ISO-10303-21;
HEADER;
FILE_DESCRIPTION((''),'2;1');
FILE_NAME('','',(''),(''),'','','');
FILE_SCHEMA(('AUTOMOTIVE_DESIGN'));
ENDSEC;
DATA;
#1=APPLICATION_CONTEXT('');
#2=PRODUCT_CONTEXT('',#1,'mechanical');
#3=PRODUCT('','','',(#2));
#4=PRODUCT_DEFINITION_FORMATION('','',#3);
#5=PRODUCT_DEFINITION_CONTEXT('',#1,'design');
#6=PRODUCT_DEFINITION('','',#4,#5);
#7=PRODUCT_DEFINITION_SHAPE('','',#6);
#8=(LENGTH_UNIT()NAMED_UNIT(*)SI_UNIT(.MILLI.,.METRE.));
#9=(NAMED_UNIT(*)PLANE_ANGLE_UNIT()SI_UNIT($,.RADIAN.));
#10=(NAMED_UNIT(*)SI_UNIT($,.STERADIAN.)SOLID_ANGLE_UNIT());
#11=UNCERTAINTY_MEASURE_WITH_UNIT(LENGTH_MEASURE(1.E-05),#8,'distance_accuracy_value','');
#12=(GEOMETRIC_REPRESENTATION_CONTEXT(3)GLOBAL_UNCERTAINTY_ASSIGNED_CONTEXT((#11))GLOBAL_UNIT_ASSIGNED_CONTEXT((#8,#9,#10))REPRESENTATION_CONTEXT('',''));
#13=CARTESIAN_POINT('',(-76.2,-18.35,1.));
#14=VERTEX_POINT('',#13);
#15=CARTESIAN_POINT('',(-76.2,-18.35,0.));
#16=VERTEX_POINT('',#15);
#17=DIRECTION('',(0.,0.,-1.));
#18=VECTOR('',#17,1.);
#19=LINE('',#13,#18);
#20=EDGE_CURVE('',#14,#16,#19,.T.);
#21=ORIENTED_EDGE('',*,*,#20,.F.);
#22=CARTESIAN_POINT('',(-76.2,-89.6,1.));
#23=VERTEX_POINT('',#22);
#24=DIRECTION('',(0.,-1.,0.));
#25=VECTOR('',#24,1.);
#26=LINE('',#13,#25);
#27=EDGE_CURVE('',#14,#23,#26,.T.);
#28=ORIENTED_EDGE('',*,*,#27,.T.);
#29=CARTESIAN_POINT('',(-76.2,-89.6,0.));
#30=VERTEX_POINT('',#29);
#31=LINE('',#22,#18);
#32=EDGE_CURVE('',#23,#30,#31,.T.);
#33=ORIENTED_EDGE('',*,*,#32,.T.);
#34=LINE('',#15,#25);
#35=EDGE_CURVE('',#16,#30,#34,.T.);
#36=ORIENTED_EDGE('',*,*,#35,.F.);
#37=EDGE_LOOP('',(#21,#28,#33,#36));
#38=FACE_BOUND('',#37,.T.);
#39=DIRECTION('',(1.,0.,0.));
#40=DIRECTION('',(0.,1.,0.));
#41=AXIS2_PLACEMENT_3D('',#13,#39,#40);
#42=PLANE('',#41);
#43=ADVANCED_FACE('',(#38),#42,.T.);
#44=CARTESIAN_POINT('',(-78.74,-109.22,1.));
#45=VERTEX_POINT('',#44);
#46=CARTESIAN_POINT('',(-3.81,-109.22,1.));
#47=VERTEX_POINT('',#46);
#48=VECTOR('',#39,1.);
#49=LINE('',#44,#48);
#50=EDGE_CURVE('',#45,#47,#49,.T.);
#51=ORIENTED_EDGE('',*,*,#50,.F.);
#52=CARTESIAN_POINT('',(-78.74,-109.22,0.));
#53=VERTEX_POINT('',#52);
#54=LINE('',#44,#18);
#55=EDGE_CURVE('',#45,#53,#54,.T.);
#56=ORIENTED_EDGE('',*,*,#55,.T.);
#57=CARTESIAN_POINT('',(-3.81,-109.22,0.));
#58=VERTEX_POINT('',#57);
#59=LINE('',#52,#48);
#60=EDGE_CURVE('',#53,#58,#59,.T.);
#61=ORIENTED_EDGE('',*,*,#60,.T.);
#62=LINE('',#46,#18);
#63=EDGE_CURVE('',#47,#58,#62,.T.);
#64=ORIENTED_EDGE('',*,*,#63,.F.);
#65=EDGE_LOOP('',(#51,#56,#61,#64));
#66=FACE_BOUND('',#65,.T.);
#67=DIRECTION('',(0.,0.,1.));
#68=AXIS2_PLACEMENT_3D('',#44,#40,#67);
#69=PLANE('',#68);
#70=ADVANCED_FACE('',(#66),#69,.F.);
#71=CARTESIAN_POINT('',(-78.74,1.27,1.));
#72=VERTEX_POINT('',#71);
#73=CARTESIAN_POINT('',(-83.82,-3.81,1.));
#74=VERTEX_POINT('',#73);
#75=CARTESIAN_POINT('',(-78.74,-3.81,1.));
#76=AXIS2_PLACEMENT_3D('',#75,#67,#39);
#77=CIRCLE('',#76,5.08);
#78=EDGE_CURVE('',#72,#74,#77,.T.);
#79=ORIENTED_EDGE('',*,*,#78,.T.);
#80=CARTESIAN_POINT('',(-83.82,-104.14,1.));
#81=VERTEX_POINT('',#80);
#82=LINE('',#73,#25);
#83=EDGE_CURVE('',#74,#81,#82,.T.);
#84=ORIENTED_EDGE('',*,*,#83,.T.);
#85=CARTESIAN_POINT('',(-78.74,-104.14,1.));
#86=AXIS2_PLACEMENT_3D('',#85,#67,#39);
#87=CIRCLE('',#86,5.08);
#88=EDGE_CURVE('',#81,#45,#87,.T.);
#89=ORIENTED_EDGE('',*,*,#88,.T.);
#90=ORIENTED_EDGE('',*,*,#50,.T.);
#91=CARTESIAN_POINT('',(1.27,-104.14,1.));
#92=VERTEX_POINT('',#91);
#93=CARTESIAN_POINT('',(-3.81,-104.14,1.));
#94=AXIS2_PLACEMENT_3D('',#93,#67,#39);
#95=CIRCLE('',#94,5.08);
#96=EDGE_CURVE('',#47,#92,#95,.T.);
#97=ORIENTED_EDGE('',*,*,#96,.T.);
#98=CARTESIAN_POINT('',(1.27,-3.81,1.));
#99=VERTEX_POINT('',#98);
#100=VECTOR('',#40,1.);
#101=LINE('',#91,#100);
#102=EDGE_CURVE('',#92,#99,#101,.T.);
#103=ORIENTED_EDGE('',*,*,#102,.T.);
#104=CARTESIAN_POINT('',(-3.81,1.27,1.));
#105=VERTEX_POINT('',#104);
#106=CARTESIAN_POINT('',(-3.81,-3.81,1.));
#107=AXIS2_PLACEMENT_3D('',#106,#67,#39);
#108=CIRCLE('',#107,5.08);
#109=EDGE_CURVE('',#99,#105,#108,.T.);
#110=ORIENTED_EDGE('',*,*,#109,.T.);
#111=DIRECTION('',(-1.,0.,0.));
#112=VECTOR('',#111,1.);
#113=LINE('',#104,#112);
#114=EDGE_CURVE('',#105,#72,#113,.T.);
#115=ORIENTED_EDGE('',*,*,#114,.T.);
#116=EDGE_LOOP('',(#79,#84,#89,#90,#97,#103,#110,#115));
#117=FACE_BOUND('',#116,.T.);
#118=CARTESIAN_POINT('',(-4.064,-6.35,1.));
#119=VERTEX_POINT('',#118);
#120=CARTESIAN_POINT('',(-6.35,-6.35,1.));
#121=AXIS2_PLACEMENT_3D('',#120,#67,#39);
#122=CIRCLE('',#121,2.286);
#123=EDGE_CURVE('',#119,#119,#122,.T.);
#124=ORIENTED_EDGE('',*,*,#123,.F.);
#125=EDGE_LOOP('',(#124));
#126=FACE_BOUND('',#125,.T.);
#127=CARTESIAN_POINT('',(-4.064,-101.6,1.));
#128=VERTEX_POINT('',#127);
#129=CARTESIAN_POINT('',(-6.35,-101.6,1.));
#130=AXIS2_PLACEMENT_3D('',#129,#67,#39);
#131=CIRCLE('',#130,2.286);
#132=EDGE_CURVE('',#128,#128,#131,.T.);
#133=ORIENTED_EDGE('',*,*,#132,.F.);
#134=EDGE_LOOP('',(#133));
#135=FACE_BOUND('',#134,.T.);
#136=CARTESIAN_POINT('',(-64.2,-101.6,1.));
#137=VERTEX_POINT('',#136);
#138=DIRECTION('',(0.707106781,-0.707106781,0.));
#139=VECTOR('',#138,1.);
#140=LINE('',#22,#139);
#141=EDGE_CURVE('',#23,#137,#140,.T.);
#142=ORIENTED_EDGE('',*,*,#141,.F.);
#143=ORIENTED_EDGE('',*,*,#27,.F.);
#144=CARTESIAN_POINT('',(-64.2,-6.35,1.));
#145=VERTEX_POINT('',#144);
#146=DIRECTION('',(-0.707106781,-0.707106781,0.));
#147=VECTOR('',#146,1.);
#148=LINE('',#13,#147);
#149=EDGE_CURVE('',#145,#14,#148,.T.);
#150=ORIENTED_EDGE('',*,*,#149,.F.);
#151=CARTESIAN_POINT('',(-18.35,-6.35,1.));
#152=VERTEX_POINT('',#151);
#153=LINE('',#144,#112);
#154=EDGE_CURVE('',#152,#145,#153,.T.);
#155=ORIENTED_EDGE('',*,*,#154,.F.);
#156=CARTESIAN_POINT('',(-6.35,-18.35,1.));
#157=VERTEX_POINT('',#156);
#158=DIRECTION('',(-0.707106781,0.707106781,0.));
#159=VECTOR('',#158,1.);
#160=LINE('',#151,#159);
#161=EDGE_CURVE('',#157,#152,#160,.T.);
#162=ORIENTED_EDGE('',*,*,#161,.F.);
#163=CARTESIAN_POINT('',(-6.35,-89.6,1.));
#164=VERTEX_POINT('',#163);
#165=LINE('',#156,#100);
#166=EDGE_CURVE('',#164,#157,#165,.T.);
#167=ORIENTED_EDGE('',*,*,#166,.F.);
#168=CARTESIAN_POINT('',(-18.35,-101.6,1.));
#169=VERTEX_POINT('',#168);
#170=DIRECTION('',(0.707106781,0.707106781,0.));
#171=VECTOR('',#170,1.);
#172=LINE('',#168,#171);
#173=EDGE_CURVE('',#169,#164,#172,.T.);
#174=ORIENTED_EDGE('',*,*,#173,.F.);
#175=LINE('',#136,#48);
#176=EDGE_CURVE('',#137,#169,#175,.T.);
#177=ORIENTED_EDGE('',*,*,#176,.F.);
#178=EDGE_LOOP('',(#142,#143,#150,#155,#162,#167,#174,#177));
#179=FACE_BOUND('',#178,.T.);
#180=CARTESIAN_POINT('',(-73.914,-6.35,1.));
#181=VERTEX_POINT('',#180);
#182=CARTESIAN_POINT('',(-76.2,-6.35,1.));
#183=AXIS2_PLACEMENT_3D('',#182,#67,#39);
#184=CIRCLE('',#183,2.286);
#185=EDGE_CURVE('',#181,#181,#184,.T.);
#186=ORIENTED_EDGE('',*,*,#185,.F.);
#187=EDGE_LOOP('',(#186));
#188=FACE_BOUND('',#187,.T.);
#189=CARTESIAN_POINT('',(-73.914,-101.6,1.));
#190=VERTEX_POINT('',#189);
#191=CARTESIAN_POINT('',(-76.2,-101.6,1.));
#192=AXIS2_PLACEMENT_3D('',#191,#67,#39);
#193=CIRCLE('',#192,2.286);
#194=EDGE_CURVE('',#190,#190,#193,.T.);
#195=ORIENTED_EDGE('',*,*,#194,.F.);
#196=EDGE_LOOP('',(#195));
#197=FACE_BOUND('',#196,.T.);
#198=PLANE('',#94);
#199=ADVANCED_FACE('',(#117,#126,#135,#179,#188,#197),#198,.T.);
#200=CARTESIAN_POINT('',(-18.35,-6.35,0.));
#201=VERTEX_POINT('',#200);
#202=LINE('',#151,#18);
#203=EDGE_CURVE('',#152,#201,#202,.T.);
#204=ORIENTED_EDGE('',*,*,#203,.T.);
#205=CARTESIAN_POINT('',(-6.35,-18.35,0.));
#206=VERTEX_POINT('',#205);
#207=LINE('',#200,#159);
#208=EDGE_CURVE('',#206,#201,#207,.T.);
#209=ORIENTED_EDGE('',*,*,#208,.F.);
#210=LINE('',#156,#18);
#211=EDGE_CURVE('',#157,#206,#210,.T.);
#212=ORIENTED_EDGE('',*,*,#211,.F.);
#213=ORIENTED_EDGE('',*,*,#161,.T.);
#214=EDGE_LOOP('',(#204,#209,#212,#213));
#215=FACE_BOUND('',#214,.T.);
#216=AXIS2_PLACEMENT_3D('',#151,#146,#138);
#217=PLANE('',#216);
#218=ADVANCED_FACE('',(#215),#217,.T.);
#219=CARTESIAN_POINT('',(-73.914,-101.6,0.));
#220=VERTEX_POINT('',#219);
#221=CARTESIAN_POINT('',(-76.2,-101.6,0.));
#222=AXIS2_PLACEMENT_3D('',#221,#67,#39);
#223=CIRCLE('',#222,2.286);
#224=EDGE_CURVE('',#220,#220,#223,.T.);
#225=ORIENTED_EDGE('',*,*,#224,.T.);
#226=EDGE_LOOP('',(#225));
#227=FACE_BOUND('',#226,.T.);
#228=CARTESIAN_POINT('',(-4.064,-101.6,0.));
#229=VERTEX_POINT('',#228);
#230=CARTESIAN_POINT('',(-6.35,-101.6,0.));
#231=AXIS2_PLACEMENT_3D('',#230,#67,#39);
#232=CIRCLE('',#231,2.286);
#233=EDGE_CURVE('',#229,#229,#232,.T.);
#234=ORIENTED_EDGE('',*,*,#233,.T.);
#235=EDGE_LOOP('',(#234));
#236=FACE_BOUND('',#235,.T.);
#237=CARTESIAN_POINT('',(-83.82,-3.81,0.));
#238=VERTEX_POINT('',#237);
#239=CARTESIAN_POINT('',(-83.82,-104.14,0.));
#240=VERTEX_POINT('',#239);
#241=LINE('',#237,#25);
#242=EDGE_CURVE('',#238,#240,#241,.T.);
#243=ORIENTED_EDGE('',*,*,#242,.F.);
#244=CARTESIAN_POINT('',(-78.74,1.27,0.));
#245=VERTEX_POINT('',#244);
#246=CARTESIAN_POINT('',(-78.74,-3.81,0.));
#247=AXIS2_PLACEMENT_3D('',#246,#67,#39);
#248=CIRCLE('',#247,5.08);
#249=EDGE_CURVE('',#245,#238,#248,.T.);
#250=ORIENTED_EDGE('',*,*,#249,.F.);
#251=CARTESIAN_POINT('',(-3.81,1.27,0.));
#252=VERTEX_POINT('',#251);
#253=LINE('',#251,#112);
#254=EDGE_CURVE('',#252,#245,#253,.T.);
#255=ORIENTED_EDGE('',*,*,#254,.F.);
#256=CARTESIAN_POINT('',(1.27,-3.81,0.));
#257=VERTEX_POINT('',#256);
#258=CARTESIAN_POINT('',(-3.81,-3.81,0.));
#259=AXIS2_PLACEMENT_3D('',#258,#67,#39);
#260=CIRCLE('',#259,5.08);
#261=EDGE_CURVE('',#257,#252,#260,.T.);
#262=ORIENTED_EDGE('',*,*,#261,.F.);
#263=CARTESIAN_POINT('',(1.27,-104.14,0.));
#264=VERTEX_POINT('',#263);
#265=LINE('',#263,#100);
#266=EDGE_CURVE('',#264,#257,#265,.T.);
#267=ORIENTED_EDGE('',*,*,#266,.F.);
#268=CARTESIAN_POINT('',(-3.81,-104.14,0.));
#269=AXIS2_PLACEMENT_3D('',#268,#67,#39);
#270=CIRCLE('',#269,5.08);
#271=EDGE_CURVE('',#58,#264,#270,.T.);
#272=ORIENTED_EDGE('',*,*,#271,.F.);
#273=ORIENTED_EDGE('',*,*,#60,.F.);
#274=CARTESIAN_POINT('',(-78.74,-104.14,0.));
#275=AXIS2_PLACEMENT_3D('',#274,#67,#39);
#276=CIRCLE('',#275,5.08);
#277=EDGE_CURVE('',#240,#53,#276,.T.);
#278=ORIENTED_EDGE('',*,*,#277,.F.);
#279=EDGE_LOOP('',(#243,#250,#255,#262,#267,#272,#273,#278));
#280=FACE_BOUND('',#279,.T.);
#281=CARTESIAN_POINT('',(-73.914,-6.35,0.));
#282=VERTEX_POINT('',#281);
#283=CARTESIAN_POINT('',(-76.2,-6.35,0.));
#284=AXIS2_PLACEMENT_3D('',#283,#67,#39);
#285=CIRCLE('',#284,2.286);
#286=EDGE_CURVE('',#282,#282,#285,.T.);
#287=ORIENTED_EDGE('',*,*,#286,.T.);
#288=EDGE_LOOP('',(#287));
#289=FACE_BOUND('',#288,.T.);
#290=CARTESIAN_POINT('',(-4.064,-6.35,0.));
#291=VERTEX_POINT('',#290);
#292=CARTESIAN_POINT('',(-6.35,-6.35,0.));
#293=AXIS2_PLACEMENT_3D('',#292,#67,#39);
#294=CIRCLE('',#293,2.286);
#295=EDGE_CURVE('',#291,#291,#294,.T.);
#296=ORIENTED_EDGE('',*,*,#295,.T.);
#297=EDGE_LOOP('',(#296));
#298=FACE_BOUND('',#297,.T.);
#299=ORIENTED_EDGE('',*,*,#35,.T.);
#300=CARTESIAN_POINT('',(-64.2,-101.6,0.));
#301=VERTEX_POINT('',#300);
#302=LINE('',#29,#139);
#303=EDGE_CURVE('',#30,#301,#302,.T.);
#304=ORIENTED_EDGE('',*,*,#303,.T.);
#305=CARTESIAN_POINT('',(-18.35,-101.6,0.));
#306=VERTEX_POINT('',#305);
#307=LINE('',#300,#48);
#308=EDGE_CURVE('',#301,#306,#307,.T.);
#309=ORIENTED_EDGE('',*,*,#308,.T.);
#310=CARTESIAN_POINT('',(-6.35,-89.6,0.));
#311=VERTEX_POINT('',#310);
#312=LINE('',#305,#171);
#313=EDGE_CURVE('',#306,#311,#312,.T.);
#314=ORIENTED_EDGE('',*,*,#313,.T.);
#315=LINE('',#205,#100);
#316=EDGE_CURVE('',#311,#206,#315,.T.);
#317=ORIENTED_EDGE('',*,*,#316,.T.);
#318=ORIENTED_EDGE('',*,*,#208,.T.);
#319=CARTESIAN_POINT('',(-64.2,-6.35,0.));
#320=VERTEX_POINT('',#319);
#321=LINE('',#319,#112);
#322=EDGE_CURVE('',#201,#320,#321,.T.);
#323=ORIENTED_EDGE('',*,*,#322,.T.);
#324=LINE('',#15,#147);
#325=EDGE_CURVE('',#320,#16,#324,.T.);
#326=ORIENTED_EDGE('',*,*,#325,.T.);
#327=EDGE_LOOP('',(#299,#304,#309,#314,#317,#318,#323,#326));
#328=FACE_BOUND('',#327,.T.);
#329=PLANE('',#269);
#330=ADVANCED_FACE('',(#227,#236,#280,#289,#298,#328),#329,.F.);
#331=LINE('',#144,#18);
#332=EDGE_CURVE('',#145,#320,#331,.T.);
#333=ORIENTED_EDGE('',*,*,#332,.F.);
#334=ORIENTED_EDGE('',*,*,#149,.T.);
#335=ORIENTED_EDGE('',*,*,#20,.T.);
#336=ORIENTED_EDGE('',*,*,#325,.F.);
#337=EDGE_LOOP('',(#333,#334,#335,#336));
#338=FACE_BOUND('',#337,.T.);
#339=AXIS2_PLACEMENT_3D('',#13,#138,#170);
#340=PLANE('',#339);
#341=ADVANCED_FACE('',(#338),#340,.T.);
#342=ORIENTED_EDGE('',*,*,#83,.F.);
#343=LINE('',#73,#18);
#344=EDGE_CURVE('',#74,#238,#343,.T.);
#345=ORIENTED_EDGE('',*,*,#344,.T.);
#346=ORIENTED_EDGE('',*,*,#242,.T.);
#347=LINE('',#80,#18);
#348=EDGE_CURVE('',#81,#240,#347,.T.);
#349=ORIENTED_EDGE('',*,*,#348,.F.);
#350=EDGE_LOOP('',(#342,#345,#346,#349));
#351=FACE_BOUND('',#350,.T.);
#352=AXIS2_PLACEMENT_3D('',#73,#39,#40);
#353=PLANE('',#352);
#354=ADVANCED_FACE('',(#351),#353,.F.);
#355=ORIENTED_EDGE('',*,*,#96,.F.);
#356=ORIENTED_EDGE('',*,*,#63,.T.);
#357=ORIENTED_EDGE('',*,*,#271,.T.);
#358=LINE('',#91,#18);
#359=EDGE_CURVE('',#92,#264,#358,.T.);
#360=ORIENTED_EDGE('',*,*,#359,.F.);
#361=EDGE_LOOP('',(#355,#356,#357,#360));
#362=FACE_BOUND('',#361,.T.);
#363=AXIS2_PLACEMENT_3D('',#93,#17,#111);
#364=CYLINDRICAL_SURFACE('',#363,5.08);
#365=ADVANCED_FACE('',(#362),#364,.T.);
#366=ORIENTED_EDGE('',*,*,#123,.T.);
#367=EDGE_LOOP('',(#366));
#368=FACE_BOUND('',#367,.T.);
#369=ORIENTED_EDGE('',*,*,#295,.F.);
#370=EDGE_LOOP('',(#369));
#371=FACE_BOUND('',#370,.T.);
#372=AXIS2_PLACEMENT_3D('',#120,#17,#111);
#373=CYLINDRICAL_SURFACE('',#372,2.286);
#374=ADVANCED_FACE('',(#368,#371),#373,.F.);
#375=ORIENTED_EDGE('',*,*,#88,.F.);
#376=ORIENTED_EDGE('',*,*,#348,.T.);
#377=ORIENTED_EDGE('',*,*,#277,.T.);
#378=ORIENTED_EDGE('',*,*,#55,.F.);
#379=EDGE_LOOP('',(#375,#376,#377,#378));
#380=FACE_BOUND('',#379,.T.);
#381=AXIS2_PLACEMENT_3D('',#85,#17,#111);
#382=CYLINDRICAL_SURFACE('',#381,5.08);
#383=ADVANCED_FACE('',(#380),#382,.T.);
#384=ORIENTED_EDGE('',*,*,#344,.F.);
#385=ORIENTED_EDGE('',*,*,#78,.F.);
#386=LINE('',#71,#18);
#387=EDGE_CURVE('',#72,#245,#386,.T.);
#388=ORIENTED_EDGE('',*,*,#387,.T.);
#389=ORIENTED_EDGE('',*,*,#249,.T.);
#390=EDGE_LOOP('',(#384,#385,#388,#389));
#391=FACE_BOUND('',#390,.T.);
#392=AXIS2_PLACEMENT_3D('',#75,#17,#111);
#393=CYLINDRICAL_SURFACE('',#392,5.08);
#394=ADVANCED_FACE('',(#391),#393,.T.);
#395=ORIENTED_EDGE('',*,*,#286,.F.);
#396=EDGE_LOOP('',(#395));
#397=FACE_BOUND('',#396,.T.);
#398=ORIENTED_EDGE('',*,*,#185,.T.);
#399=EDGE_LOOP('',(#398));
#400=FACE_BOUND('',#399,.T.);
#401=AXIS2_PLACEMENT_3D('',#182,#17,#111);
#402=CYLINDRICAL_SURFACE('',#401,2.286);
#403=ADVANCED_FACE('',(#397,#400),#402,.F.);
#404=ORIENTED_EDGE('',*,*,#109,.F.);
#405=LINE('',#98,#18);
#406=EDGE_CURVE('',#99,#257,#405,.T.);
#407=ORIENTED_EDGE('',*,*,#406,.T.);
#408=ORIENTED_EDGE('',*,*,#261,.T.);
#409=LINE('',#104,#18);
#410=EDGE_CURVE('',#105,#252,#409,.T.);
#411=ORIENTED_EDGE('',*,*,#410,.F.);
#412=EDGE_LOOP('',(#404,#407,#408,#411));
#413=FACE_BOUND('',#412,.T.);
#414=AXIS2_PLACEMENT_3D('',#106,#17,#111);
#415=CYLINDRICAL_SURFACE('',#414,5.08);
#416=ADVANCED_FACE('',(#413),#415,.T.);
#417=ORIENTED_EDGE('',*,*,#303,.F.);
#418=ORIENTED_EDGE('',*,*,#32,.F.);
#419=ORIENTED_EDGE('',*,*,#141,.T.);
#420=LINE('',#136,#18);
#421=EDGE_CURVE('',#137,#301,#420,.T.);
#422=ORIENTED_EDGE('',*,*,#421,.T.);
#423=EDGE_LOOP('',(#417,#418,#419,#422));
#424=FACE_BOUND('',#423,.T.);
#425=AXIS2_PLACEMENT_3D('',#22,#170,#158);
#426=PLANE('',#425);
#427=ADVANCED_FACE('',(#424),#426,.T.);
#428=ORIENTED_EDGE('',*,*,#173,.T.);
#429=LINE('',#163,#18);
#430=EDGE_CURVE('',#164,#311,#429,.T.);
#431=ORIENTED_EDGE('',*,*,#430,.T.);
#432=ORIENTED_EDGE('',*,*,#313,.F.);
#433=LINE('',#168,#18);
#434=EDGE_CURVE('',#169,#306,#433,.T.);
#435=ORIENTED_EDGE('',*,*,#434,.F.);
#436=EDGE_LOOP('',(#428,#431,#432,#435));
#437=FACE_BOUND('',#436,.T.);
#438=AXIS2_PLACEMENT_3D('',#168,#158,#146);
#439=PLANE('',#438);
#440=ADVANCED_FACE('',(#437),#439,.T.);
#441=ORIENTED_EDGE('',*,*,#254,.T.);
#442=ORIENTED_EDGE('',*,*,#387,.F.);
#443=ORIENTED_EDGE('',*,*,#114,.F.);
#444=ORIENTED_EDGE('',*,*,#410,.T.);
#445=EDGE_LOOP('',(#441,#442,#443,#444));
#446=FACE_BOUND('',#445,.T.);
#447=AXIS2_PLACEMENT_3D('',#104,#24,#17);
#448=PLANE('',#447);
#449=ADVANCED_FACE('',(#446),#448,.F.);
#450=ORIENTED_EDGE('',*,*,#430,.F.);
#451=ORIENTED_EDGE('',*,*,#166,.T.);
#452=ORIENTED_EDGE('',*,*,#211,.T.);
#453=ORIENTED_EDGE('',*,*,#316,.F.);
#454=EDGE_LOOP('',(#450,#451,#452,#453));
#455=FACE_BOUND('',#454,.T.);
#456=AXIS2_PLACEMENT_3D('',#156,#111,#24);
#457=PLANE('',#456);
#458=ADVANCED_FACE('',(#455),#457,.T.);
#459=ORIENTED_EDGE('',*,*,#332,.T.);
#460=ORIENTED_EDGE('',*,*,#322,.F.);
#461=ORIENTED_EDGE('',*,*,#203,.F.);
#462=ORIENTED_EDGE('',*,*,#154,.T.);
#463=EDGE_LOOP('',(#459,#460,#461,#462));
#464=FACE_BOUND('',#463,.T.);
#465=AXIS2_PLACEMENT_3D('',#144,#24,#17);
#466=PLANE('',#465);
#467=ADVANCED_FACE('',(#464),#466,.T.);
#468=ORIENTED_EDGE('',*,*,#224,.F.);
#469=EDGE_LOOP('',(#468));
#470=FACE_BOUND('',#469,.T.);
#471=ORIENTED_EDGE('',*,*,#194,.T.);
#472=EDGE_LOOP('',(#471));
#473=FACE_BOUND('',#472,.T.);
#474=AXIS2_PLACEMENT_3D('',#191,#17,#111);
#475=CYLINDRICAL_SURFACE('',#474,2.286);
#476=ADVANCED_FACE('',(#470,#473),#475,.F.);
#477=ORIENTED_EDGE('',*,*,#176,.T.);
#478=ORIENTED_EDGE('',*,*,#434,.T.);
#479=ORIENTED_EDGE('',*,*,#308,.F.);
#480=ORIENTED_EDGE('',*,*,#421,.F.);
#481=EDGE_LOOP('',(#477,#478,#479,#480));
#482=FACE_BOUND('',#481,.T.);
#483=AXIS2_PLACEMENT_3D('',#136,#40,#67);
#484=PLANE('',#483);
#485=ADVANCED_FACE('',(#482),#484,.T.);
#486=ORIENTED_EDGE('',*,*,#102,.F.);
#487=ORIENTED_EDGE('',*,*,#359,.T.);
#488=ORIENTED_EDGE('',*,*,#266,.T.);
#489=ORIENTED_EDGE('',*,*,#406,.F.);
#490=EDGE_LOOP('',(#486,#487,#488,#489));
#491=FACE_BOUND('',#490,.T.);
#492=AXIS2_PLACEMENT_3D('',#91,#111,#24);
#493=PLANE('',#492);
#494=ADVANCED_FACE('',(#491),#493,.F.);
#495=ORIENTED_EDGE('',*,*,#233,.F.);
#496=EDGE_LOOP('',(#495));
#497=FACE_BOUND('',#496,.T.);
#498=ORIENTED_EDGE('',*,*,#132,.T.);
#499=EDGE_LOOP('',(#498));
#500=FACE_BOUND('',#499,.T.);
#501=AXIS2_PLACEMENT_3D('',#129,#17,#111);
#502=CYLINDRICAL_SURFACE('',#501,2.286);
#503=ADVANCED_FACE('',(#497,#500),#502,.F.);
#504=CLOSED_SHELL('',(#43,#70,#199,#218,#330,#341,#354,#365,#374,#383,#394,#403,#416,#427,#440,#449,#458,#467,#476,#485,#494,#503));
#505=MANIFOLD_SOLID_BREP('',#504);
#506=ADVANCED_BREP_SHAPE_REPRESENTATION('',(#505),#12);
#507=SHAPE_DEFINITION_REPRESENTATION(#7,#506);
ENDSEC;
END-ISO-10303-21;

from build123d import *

# Parameters (mm, degrees)
SKETCH1_R           = 2.286
BOSS_EXTRUDE1_DEPTH = 1


with BuildPart() as part:
    # Sketch1 → Boss-Extrude1 (new body)
    with BuildSketch(Plane.XY):
        with BuildLine():
            Line((1.27, -104.14), (1.27, -3.81))
            ThreePointArc((1.27, -3.81), (-0.217897552, -0.217897552), (-3.81, 1.27))
            Line((-3.81, 1.27), (-78.74, 1.27))
            ThreePointArc((-78.74, 1.27), (-82.332102448, -0.217897552), (-83.82, -3.81))
            Line((-83.82, -3.81), (-83.82, -104.14))
            ThreePointArc((-83.82, -104.14), (-82.332102448, -107.732102448), (-78.74, -109.22))
            Line((-78.74, -109.22), (-3.81, -109.22))
            ThreePointArc((-3.81, -109.22), (-0.217897552, -107.732102448), (1.27, -104.14))
        make_face()
        with Locations((-76.2, -6.35)):
            Circle(SKETCH1_R, mode=Mode.SUBTRACT)
        with Locations((-76.2, -101.6)):
            Circle(SKETCH1_R, mode=Mode.SUBTRACT)
        with Locations((-6.35, -101.6)):
            Circle(SKETCH1_R, mode=Mode.SUBTRACT)
        with Locations((-6.35, -6.35)):
            Circle(SKETCH1_R, mode=Mode.SUBTRACT)
        Polygon((-76.2, -18.35), (-64.2, -6.35), (-18.35, -6.35), (-6.35, -18.35), (-6.35, -89.6), (-18.35, -101.6), (-64.2, -101.6), (-76.2, -89.6), align=None, mode=Mode.SUBTRACT)
    extrude(amount=BOSS_EXTRUDE1_DEPTH)


solid = part.part
